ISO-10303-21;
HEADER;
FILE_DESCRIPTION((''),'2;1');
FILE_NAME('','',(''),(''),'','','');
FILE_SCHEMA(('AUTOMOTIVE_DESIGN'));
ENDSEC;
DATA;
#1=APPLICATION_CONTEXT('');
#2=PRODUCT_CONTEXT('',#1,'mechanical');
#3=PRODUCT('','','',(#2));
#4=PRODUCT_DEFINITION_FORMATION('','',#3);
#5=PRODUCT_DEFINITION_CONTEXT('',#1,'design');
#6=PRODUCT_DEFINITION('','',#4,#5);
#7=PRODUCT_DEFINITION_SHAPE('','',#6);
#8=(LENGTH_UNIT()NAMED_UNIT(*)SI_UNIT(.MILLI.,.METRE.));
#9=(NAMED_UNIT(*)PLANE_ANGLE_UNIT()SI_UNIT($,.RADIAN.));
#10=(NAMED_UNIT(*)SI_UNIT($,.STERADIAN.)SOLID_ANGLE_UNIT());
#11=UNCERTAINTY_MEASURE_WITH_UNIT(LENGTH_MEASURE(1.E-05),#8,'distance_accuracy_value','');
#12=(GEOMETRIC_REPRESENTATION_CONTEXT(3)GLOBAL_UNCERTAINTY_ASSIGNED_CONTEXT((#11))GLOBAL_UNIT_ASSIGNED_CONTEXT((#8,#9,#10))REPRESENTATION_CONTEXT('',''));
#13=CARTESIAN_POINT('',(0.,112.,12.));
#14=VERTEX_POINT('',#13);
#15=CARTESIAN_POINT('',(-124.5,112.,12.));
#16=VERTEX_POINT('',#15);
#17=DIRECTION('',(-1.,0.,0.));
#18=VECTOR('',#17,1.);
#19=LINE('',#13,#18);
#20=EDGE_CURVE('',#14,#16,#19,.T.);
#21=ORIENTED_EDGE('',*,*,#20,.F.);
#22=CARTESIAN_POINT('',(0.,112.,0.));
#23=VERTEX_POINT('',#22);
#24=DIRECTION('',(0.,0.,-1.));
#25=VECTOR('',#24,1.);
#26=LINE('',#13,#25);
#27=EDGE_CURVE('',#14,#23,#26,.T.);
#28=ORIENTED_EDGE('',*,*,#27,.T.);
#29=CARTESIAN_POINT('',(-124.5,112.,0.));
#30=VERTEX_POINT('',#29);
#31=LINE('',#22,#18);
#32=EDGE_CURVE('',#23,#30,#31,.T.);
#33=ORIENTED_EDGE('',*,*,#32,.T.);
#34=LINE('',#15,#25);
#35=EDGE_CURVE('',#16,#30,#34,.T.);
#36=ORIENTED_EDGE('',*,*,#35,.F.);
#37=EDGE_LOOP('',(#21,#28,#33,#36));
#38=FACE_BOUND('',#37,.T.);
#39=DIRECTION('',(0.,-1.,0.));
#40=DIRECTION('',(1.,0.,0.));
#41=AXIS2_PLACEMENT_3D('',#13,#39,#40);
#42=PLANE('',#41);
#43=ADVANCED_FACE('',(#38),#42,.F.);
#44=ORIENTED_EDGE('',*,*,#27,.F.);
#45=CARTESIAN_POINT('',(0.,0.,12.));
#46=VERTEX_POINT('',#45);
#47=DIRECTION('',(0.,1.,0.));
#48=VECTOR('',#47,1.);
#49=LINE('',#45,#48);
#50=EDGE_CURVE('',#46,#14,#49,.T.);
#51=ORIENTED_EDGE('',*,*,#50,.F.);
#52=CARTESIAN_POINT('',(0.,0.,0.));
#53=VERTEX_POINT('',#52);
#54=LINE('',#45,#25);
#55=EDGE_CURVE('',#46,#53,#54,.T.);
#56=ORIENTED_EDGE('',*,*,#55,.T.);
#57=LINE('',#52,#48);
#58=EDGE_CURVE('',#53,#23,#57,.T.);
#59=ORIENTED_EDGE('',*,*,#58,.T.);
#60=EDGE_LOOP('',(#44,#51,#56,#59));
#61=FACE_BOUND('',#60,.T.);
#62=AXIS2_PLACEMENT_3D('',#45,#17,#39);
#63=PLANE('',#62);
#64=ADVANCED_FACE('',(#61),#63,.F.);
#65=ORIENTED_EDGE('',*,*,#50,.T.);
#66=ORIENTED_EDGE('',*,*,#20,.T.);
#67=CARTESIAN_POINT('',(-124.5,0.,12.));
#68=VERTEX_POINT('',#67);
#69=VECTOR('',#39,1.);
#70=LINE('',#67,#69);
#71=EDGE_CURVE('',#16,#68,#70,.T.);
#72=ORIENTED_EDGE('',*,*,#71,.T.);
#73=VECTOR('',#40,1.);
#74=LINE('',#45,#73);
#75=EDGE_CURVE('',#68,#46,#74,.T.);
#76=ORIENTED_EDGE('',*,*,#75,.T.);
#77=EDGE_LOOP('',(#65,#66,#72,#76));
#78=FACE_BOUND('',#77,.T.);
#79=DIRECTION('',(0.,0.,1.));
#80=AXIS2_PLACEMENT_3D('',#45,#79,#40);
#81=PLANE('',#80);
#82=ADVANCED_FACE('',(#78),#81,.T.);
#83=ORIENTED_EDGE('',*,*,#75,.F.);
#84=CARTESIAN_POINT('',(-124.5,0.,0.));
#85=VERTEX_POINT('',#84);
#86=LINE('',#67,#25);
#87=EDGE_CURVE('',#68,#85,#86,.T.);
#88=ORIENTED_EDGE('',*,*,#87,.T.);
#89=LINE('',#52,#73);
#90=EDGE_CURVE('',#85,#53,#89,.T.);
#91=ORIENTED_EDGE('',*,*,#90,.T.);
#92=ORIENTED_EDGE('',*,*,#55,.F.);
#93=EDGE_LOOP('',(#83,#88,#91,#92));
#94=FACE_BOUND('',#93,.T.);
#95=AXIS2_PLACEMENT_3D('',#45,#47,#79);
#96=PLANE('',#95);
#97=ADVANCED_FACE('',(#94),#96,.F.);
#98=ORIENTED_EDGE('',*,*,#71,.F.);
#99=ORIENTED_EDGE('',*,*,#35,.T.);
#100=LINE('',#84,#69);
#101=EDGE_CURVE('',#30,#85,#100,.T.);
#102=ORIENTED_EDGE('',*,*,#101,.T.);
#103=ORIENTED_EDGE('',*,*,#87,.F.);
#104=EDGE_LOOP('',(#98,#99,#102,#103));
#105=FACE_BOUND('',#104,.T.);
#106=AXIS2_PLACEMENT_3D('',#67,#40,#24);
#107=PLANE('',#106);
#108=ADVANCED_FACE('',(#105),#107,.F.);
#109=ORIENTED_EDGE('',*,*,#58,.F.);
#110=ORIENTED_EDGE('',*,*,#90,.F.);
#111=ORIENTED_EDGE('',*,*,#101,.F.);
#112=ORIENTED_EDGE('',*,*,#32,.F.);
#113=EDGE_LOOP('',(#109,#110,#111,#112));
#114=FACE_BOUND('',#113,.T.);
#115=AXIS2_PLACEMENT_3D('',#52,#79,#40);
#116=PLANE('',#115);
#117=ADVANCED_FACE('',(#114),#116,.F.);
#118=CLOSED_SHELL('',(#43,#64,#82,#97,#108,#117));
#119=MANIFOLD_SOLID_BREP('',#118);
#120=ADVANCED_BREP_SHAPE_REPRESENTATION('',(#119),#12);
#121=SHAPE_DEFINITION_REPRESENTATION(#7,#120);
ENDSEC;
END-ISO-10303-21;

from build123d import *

# Parameters (mm, degrees)
ESQUISSE1_W        = 124.5
ESQUISSE1_H        = 112
BOSS_EXTRU_1_DEPTH = 12


with BuildPart() as part:
    # Esquisse1 → Boss.-Extru.1 (new body)
    with BuildSketch(Plane.XY):
        with Locations((-62.25, 56)):
            Rectangle(ESQUISSE1_W, ESQUISSE1_H)
    extrude(amount=BOSS_EXTRU_1_DEPTH)


solid = part.part
